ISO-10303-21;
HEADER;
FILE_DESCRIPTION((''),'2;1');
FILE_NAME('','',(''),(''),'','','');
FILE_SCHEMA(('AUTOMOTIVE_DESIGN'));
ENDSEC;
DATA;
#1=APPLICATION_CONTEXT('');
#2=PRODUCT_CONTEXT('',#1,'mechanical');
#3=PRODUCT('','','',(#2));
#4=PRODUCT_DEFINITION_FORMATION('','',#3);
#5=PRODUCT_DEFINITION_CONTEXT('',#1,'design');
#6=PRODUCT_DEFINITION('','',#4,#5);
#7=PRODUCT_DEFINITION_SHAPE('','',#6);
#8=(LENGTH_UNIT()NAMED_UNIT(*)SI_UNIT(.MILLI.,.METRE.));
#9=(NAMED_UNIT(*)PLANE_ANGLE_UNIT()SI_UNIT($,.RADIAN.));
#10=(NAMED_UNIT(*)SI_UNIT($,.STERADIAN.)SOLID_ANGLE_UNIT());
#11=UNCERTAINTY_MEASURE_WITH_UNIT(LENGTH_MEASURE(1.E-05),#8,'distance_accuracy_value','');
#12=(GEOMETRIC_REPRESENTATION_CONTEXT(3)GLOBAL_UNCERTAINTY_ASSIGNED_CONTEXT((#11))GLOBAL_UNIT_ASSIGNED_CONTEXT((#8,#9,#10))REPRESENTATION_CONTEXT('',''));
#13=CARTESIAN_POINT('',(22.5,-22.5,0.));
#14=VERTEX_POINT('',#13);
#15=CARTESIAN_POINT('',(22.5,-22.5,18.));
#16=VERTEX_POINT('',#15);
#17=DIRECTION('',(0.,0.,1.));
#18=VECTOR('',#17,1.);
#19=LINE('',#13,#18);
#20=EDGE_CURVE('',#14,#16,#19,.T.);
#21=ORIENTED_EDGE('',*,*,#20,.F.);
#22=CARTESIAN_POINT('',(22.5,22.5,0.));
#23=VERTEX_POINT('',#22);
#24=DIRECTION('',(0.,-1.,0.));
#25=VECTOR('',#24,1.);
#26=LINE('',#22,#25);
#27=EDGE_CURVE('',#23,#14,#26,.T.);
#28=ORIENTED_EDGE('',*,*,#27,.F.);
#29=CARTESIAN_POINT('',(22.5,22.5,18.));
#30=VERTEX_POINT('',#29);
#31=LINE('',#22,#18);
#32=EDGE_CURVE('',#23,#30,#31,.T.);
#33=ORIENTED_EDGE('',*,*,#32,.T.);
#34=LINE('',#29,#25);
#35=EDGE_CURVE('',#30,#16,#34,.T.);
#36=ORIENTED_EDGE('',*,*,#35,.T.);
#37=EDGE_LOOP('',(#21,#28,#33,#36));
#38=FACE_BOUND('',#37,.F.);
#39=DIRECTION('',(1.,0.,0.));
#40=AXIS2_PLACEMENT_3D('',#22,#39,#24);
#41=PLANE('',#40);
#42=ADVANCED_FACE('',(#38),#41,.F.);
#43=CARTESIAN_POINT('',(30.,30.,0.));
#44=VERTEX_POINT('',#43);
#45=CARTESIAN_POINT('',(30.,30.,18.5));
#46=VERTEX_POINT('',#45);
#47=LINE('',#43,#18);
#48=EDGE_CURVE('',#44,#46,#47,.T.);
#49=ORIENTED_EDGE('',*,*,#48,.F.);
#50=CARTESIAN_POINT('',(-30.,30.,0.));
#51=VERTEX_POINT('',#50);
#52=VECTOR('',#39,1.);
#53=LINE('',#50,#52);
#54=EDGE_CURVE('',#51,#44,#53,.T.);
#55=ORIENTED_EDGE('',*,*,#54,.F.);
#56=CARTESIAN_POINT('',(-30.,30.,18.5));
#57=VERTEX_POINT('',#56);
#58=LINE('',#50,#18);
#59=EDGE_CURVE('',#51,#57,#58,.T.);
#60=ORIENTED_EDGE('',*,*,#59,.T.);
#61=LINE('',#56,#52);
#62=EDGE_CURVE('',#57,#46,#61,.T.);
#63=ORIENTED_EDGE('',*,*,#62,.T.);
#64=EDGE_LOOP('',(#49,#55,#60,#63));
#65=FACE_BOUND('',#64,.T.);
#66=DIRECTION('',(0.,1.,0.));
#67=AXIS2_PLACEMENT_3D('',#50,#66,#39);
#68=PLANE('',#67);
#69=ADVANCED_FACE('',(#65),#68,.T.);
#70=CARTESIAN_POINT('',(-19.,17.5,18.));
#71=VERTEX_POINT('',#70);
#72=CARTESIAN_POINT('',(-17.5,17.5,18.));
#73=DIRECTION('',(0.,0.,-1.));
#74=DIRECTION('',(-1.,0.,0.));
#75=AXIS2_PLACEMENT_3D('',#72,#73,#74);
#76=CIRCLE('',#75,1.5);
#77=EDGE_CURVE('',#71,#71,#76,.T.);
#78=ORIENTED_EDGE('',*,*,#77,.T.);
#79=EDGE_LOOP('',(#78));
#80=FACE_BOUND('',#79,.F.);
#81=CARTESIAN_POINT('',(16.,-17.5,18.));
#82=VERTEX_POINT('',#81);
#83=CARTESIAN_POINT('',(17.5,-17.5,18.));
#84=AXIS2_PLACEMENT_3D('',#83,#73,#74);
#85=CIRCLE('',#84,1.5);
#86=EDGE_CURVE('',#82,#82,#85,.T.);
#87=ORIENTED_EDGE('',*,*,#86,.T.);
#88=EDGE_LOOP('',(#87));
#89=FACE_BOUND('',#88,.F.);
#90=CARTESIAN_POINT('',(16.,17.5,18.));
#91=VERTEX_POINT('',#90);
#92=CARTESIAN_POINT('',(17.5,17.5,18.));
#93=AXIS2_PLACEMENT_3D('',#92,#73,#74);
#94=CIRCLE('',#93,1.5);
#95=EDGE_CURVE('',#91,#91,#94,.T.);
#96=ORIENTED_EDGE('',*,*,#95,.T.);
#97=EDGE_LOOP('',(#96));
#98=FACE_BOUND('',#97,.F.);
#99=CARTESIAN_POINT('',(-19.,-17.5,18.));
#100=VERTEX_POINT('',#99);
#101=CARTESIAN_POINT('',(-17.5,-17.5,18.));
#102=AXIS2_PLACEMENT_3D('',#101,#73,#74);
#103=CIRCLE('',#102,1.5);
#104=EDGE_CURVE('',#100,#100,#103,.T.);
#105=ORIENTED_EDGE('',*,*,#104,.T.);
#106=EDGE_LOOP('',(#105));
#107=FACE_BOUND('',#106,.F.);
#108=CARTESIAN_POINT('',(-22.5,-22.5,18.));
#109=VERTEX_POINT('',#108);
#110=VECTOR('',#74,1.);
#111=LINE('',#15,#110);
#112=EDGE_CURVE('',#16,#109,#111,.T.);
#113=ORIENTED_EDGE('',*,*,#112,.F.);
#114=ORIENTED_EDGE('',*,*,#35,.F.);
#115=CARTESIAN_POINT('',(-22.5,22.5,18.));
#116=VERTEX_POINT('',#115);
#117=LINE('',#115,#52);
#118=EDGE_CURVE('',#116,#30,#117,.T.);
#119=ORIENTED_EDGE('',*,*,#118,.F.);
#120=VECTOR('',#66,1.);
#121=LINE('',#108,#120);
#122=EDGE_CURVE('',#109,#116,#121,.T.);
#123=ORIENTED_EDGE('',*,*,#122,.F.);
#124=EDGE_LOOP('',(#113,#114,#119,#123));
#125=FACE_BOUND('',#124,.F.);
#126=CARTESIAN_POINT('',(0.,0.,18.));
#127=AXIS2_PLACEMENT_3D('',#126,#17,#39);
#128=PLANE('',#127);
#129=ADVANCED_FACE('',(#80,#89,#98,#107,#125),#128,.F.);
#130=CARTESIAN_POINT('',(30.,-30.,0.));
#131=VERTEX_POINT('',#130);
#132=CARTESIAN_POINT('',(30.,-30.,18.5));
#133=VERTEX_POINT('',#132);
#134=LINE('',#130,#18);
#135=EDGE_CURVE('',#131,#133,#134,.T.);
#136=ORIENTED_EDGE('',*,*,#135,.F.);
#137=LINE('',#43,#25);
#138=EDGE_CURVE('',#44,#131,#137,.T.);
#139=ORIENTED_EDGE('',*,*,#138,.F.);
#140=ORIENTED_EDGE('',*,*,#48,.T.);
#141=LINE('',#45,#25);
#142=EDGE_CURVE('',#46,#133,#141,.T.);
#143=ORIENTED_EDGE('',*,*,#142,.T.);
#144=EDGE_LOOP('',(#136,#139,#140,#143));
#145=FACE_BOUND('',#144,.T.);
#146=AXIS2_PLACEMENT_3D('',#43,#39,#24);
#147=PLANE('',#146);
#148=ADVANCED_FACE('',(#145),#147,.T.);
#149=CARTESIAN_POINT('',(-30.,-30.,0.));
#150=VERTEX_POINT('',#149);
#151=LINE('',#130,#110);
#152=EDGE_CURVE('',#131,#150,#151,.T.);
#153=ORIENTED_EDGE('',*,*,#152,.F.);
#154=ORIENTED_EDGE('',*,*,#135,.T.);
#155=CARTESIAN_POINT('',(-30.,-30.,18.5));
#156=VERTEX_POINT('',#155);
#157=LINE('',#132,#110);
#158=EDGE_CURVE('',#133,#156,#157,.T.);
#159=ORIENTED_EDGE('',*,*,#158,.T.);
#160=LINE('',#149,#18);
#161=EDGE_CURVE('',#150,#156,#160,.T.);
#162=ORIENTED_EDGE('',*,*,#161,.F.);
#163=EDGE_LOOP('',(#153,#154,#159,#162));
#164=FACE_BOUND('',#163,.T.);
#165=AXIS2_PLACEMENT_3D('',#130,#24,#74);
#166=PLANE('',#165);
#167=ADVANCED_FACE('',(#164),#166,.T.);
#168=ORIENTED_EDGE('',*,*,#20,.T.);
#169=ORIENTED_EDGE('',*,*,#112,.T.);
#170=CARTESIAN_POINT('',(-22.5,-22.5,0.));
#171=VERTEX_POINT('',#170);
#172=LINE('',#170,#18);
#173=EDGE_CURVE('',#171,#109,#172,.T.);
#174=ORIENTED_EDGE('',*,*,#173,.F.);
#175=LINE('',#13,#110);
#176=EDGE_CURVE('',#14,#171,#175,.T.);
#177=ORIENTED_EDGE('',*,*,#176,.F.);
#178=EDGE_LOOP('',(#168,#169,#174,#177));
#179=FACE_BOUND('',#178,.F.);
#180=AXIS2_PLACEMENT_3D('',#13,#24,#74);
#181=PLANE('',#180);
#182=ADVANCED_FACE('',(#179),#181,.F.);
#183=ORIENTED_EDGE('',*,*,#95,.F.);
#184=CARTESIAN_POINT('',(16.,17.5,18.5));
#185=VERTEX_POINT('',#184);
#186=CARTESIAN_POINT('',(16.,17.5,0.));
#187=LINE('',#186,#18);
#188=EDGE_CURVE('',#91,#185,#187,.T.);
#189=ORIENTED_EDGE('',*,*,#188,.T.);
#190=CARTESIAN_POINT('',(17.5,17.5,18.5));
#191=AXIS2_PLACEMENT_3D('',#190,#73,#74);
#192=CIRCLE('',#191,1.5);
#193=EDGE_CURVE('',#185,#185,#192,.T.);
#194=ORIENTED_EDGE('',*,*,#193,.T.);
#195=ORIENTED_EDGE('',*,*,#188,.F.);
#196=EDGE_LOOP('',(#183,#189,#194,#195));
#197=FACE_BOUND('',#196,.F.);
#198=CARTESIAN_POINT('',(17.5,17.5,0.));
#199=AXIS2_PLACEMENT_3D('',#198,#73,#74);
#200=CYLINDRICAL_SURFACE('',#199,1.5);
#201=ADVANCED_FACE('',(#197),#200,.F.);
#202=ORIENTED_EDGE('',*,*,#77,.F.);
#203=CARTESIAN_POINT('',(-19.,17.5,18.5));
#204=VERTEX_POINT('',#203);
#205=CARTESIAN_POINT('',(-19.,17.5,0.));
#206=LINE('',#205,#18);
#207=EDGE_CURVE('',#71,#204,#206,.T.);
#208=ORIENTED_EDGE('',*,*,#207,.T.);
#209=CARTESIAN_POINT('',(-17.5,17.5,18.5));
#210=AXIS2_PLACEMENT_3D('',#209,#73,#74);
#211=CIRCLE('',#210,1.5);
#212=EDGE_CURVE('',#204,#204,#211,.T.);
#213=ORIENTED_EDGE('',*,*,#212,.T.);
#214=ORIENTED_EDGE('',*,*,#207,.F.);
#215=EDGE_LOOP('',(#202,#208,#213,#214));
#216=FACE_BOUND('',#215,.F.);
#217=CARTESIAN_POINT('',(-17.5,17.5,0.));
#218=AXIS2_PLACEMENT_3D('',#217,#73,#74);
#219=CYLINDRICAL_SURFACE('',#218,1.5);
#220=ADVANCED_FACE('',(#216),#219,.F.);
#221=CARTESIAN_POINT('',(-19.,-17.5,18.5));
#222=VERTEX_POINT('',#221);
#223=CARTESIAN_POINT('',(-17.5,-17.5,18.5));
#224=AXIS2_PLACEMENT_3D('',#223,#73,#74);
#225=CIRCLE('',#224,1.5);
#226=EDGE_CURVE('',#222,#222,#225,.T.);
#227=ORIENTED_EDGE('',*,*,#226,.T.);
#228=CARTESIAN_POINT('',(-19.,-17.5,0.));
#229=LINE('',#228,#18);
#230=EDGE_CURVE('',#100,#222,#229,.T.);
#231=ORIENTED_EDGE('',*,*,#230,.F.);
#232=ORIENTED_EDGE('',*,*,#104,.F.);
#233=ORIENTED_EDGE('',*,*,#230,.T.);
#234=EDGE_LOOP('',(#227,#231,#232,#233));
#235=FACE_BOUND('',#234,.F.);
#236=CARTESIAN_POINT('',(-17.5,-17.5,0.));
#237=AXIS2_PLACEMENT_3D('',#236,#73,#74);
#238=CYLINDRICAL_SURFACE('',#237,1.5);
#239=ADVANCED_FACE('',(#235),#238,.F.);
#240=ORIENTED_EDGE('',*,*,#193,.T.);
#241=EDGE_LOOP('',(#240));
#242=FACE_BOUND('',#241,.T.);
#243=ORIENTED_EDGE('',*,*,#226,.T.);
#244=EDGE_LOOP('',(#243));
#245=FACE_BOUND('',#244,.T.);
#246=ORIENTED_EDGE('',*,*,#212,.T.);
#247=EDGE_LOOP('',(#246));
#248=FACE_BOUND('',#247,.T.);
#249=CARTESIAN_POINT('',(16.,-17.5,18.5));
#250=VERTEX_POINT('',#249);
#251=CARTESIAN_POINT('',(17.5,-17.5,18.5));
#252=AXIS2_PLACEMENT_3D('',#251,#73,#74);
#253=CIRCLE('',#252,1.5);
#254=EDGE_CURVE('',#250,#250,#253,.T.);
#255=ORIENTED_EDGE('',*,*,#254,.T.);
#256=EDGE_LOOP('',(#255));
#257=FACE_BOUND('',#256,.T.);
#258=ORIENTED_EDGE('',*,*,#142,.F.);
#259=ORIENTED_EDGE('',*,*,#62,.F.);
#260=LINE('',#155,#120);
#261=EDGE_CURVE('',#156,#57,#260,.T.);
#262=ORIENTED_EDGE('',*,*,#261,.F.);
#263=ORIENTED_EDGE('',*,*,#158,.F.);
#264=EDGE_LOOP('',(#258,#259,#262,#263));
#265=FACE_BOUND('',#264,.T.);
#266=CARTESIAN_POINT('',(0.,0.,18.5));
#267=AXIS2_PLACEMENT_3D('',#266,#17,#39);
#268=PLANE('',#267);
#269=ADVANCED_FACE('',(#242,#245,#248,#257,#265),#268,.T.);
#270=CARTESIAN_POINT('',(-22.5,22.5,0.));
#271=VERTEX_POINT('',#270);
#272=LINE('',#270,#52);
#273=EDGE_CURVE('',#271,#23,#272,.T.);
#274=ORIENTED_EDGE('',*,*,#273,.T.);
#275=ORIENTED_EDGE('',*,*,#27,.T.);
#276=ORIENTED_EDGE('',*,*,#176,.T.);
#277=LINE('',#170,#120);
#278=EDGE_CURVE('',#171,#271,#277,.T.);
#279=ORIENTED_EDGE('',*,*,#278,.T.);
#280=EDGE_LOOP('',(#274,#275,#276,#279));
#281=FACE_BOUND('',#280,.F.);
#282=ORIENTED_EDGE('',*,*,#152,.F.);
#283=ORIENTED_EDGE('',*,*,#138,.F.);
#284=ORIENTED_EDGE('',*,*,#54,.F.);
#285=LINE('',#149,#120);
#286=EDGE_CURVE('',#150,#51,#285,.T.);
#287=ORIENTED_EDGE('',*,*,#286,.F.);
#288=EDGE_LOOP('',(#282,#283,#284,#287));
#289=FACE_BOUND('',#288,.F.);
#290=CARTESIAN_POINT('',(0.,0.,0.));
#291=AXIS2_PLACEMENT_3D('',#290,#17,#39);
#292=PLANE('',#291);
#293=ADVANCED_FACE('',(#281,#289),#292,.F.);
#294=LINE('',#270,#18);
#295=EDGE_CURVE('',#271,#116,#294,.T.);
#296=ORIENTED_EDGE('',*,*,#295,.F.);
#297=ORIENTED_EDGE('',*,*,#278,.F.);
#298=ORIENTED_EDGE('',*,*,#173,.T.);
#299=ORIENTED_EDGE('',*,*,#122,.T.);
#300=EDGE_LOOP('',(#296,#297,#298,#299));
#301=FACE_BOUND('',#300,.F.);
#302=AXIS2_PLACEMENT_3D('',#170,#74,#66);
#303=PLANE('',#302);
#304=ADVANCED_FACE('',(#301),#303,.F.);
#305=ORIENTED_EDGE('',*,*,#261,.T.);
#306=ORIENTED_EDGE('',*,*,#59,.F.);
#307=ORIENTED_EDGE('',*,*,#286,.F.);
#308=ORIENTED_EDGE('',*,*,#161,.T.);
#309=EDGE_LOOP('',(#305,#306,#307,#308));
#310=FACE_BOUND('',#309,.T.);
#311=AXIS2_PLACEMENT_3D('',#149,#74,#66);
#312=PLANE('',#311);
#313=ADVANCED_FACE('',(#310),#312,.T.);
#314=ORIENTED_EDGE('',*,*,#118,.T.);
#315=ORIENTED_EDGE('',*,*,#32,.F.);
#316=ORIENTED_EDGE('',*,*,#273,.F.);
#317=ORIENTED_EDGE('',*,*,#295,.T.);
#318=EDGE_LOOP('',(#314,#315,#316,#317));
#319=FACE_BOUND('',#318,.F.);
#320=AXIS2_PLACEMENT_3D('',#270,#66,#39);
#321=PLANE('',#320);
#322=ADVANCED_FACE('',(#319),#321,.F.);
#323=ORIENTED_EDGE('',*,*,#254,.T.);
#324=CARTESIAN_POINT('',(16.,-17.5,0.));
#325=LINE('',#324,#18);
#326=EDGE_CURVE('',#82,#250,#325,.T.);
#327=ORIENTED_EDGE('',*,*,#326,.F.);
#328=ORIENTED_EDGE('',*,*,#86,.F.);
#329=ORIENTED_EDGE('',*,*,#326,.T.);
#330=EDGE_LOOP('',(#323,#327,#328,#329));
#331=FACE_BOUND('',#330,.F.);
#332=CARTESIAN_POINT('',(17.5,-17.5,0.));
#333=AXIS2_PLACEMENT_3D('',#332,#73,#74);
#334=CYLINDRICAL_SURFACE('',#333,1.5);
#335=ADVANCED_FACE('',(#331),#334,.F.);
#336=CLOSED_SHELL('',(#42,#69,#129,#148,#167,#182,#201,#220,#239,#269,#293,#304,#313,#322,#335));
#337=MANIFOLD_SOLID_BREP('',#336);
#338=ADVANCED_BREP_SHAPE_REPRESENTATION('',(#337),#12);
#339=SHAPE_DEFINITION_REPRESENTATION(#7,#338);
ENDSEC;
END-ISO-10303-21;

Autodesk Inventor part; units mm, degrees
ref_plane "YZ Plane" through (0, 0, 0) normal (1, 0, 0) x (0, 1, 0)
ref_plane "XZ Plane" through (0, 0, 0) normal (0, 1, 0) x (-1, 0, 0)
ref_plane "XY Plane" through (0, 0, 0) normal (0, 0, 1) x (1, 0, 0)
sketch "Sketch1" plane through (0, 0, 0) normal (0, 0, 1) x (1, 0, 0)
  circle A0 centre (-17.5, -17.5) radius 1.5
  circle A1 centre (17.5, -17.5) radius 1.5
  circle A2 centre (17.5, 17.5) radius 1.5
  circle A3 centre (-17.5, 17.5) radius 1.5
  line L0 (-22.5, 22.5) -> (22.5, 22.5)
  line L1 (22.5, 22.5) -> (22.5, -22.5)
  line L2 (22.5, -22.5) -> (-22.5, -22.5)
  line L3 (-22.5, -22.5) -> (-22.5, 22.5)
  point P0 (0, 0)
  dimension "d4" = 3
  dimension "d5" = 3
  dimension "d6" = 3
  dimension "d7" = 3
  dimension "d8" = 35
  dimension "d9" = 35
  dimension "d10" = 35
  dimension "d13" = 45
  dimension "d14" = 45
  dimension "d15" = 22.5
  dimension "d16" = 22.5
  dimension "d17" = 5
  dimension "d18" = 5
sketch "Sketch2" plane through (0, 0, 0) normal (0, 0, 1) x (1, 0, 0)
  line L0 (-30, 30) -> (30, 30)
  line L1 (30, 30) -> (30, -30)
  line L2 (30, -30) -> (-30, -30)
  line L3 (-30, -30) -> (-30, 30)
  point P0 (0, 0)
  dimension "d20" = 60
  dimension "d21" = 60
  dimension "d22" = 30
  dimension "d23" = 30
extrude "Extrusion1" add sketch "Sketch2" along normal blind 18.5
extrude "Extrusion2" cut sketch "Sketch1" along normal blind 18
sketch "Sketch3" plane through (-17.5, 17.5, 0) normal (0, 0, -1) x (-1, 0, 0)
  circle A0 centre (0, 0) radius 1.5 projected
  circle A1 centre (0, -35) radius 1.5 projected
  circle A2 centre (-35, 0) radius 1.5 projected
  circle A3 centre (-35, -35) radius 1.5 projected
  point P0 (-17.5, -17.5)
extrude "Extrusion3" cut sketch "Sketch3" against normal blind 19
properties part number "soporte_iman"
